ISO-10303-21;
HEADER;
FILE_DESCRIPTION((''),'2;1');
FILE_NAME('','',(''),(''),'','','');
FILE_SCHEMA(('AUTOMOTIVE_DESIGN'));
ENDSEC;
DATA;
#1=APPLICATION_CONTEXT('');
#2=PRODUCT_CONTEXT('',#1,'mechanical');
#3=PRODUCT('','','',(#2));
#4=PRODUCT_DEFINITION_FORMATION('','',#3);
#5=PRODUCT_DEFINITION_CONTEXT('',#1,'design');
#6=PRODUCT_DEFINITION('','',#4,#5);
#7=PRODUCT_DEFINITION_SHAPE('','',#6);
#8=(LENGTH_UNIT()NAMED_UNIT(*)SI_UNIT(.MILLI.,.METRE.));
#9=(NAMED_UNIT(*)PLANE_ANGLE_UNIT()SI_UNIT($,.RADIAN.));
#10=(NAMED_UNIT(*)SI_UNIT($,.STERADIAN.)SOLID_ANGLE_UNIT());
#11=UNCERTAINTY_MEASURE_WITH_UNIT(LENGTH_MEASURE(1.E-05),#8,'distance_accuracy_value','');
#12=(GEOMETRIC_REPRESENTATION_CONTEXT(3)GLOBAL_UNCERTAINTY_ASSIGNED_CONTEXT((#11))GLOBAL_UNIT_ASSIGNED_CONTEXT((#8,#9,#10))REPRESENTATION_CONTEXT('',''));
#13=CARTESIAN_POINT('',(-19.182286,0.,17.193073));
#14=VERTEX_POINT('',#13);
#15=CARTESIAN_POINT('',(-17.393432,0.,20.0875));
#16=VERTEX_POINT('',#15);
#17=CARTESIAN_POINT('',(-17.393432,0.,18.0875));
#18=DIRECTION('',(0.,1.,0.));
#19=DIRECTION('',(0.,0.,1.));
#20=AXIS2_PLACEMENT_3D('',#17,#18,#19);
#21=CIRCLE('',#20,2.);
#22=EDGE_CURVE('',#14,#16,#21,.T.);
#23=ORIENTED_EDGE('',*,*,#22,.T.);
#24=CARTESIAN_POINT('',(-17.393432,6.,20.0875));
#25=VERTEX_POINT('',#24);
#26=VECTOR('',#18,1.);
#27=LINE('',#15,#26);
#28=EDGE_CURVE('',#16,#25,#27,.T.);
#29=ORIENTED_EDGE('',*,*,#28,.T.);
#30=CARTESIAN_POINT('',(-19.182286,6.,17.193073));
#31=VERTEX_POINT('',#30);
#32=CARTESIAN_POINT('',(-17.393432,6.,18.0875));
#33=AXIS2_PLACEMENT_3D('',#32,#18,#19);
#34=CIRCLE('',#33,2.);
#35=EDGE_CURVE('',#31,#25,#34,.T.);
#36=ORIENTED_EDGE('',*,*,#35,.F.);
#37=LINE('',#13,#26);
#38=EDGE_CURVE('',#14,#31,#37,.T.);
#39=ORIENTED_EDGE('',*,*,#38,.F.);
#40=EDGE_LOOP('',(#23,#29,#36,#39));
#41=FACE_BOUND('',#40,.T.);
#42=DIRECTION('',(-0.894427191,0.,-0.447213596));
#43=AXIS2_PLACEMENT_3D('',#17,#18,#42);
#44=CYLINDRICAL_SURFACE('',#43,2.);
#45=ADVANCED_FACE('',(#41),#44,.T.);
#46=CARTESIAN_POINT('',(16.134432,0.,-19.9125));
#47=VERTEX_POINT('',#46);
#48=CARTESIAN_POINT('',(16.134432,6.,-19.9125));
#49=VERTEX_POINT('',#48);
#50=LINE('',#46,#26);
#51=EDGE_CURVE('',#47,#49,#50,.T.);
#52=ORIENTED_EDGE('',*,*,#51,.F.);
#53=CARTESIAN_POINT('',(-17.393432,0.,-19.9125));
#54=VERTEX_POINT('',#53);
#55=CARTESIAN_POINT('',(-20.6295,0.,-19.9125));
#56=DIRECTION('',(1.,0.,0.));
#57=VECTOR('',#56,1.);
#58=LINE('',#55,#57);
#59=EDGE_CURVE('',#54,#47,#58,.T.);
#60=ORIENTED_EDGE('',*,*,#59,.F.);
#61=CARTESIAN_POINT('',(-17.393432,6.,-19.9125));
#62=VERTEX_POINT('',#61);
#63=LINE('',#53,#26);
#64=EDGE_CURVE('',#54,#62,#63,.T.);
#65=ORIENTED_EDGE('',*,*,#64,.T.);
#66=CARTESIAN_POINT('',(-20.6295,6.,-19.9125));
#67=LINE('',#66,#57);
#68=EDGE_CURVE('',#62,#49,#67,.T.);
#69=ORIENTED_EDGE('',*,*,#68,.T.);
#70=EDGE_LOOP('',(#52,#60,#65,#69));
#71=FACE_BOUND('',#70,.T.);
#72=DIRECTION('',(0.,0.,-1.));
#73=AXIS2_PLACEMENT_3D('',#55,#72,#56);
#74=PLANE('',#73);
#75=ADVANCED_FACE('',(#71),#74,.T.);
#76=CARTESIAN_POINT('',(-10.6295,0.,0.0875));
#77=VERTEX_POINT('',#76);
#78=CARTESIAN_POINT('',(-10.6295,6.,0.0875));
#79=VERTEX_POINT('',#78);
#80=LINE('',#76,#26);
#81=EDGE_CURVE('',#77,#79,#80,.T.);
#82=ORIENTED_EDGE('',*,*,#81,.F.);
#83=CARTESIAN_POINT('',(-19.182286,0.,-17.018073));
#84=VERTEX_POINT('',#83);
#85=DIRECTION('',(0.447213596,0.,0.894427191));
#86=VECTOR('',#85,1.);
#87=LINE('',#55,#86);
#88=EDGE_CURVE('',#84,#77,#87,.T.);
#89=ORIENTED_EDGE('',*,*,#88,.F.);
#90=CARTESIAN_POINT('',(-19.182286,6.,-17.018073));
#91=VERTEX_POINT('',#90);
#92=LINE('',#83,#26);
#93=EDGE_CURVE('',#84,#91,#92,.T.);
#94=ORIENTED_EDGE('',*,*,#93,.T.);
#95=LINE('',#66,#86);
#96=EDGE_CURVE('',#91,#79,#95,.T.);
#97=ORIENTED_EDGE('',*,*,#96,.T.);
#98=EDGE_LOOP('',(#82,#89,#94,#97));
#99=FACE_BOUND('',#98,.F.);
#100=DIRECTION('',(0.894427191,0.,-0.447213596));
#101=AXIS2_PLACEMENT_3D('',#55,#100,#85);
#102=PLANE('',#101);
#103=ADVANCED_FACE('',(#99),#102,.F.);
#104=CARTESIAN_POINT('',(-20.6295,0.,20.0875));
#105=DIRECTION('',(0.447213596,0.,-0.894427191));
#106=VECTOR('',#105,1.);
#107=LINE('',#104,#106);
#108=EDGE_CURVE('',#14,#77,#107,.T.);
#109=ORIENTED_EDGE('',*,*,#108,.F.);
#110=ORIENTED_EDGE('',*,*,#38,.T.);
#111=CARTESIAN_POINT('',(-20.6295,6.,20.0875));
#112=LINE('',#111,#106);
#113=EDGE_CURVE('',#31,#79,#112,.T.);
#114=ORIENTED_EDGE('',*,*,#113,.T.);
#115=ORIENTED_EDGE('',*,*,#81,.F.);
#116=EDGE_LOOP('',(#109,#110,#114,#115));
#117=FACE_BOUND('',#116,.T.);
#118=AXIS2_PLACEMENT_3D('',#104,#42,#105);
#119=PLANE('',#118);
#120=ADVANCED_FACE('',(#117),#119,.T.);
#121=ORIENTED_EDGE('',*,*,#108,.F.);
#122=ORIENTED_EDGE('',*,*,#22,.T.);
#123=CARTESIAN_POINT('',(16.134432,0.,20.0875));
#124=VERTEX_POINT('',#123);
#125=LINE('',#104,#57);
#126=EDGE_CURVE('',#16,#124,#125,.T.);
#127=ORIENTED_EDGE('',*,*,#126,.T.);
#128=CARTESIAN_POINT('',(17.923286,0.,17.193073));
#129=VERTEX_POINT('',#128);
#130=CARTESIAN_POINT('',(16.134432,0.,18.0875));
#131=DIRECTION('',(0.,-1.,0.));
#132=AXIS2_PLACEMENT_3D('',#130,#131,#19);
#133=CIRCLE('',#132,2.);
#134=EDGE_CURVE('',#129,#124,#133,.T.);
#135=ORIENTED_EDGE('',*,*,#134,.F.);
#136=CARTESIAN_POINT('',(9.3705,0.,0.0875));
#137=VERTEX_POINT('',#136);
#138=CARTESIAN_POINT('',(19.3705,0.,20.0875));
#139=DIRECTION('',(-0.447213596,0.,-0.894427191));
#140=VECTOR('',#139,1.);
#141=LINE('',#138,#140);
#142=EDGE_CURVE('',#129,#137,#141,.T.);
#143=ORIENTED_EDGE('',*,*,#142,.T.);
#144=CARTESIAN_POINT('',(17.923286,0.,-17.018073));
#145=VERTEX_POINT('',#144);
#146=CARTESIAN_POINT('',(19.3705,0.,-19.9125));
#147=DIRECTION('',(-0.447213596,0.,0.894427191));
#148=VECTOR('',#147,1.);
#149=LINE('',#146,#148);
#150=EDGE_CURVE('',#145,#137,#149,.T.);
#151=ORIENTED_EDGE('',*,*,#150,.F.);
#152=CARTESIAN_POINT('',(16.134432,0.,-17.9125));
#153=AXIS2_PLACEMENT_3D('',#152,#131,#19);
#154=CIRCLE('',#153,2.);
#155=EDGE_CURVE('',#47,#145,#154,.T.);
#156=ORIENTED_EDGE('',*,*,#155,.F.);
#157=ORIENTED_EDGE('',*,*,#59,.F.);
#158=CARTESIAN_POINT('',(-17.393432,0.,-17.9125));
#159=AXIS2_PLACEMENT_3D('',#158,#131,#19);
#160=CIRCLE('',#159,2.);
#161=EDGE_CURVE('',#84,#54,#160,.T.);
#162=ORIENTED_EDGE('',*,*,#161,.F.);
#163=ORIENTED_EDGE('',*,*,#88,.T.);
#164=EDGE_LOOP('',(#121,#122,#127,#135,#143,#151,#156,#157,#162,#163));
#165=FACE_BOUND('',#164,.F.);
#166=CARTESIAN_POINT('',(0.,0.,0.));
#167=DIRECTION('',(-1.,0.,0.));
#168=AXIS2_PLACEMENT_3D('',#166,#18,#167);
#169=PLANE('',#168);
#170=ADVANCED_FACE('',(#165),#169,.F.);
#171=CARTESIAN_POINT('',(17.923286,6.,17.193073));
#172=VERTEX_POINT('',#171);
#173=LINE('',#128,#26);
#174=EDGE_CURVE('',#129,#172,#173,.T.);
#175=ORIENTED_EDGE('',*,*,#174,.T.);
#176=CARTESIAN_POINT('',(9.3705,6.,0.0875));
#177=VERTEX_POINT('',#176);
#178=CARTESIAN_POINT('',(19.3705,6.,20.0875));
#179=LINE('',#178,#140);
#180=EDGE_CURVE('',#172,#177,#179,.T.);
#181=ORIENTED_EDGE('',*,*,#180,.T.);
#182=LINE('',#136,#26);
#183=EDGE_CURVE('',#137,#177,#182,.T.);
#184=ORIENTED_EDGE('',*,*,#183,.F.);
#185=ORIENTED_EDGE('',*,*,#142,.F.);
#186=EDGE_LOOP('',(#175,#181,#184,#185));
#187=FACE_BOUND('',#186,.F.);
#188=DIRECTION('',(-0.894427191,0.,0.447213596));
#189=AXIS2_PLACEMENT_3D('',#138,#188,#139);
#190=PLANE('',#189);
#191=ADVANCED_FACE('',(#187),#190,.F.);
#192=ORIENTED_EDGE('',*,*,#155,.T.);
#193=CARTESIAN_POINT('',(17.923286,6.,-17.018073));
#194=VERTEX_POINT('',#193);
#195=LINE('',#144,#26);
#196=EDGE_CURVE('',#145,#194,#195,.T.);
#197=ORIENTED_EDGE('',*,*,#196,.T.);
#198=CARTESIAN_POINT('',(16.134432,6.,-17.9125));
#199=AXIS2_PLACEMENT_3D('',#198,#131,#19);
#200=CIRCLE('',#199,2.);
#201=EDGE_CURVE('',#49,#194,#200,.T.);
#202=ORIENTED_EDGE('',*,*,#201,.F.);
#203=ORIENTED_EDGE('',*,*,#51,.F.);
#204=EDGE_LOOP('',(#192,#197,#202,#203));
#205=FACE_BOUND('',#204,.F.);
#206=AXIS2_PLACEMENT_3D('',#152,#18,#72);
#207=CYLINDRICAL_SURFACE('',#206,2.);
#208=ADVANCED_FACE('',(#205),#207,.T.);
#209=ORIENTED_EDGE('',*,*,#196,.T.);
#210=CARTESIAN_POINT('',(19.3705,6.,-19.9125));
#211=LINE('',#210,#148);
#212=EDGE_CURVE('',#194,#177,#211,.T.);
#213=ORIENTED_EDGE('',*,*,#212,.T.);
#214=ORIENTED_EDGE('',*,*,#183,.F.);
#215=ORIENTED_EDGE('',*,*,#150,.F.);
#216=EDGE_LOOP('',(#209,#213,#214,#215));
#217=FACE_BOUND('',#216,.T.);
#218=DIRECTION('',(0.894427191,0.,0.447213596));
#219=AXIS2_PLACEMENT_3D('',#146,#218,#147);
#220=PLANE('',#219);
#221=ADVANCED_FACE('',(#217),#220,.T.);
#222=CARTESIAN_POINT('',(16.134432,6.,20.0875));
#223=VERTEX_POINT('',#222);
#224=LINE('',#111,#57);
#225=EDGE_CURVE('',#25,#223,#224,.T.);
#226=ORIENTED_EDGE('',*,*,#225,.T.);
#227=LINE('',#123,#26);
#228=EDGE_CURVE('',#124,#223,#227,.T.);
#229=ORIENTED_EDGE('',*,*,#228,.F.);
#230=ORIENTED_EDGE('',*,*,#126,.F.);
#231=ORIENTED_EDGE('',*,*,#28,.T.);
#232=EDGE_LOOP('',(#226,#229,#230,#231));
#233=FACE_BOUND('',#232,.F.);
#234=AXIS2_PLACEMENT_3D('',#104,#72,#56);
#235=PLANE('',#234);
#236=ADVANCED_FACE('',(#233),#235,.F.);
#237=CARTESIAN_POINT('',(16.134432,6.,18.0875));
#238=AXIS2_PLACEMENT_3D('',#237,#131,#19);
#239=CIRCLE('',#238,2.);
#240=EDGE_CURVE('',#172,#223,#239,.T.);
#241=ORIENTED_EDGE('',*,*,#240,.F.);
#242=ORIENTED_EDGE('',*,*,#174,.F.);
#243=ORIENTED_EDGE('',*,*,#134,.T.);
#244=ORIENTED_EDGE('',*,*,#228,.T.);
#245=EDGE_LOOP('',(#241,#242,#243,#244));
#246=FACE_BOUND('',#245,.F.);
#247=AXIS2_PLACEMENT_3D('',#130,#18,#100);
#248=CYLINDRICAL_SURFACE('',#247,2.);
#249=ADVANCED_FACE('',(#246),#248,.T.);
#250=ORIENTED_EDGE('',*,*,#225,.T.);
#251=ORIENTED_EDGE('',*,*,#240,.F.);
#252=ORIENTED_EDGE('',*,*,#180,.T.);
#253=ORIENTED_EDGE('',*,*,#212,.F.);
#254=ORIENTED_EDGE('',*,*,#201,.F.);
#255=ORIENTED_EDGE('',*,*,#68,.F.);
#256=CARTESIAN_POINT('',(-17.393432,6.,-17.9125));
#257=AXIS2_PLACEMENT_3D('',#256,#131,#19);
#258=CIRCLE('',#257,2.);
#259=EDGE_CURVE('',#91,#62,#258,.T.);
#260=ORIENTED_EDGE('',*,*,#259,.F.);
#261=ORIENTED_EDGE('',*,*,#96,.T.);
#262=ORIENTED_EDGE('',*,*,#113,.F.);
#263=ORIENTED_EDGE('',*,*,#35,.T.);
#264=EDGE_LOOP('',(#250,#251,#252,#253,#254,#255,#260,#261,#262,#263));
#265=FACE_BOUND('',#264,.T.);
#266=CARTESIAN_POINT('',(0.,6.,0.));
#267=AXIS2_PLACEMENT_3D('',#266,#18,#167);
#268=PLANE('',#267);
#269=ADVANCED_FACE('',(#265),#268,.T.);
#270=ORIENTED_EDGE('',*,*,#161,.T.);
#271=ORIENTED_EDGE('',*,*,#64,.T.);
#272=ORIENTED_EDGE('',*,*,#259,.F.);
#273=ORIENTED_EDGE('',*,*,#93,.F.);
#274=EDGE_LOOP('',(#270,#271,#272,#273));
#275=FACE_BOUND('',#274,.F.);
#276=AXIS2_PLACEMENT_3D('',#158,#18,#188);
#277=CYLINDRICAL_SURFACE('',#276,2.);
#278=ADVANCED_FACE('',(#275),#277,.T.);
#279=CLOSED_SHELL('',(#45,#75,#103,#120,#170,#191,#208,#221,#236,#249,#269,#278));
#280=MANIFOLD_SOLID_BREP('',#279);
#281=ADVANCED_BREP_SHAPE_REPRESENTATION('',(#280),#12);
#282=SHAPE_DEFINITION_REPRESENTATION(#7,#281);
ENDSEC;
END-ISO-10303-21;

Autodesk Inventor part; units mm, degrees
ref_plane "YZ Plane" through (0, 0, 0) normal (1, 0, 0) x (0, 1, 0)
ref_plane "XZ Plane" through (0, 0, 0) normal (0, 1, 0) x (-1, 0, 0)
ref_plane "XY Plane" through (0, 0, 0) normal (0, 0, 1) x (1, 0, 0)
sketch "Sketch1" plane through (0, 0, 0) normal (0, 1, 0) x (-1, 0, 0)
  line L0 (20.6295, 20.0875) -> (-19.3705, 20.0875)
  line L1 (20.6295, 20.0875) -> (10.6295, 0.0875)
  line L2 (-19.3705, 20.0875) -> (-9.3705, 0.0875)
  line L3 (20.6295, -19.9125) -> (-19.3705, -19.9125)
  line L4 (20.6295, -19.9125) -> (10.6295, 0.0875)
  line L5 (-19.3705, -19.9125) -> (-9.3705, 0.0875)
  dimension "d12" = 40
  dimension "d27" = 40
  dimension "d34" = 20
  dimension "d35" = 20
  dimension "d36" = 20
  dimension "d38" = 10
extrude "Extrusion8" add sketch "Sketch1" along normal blind 6
fillet "Fillet4" radius 2 4 edges at (-20.6295, 3, 20.0875) (19.3705, 3, 20.0875) (19.3705, 3, -19.9125) (-20.6295, 3, -19.9125)
properties part number "Test2_3DPrint"
